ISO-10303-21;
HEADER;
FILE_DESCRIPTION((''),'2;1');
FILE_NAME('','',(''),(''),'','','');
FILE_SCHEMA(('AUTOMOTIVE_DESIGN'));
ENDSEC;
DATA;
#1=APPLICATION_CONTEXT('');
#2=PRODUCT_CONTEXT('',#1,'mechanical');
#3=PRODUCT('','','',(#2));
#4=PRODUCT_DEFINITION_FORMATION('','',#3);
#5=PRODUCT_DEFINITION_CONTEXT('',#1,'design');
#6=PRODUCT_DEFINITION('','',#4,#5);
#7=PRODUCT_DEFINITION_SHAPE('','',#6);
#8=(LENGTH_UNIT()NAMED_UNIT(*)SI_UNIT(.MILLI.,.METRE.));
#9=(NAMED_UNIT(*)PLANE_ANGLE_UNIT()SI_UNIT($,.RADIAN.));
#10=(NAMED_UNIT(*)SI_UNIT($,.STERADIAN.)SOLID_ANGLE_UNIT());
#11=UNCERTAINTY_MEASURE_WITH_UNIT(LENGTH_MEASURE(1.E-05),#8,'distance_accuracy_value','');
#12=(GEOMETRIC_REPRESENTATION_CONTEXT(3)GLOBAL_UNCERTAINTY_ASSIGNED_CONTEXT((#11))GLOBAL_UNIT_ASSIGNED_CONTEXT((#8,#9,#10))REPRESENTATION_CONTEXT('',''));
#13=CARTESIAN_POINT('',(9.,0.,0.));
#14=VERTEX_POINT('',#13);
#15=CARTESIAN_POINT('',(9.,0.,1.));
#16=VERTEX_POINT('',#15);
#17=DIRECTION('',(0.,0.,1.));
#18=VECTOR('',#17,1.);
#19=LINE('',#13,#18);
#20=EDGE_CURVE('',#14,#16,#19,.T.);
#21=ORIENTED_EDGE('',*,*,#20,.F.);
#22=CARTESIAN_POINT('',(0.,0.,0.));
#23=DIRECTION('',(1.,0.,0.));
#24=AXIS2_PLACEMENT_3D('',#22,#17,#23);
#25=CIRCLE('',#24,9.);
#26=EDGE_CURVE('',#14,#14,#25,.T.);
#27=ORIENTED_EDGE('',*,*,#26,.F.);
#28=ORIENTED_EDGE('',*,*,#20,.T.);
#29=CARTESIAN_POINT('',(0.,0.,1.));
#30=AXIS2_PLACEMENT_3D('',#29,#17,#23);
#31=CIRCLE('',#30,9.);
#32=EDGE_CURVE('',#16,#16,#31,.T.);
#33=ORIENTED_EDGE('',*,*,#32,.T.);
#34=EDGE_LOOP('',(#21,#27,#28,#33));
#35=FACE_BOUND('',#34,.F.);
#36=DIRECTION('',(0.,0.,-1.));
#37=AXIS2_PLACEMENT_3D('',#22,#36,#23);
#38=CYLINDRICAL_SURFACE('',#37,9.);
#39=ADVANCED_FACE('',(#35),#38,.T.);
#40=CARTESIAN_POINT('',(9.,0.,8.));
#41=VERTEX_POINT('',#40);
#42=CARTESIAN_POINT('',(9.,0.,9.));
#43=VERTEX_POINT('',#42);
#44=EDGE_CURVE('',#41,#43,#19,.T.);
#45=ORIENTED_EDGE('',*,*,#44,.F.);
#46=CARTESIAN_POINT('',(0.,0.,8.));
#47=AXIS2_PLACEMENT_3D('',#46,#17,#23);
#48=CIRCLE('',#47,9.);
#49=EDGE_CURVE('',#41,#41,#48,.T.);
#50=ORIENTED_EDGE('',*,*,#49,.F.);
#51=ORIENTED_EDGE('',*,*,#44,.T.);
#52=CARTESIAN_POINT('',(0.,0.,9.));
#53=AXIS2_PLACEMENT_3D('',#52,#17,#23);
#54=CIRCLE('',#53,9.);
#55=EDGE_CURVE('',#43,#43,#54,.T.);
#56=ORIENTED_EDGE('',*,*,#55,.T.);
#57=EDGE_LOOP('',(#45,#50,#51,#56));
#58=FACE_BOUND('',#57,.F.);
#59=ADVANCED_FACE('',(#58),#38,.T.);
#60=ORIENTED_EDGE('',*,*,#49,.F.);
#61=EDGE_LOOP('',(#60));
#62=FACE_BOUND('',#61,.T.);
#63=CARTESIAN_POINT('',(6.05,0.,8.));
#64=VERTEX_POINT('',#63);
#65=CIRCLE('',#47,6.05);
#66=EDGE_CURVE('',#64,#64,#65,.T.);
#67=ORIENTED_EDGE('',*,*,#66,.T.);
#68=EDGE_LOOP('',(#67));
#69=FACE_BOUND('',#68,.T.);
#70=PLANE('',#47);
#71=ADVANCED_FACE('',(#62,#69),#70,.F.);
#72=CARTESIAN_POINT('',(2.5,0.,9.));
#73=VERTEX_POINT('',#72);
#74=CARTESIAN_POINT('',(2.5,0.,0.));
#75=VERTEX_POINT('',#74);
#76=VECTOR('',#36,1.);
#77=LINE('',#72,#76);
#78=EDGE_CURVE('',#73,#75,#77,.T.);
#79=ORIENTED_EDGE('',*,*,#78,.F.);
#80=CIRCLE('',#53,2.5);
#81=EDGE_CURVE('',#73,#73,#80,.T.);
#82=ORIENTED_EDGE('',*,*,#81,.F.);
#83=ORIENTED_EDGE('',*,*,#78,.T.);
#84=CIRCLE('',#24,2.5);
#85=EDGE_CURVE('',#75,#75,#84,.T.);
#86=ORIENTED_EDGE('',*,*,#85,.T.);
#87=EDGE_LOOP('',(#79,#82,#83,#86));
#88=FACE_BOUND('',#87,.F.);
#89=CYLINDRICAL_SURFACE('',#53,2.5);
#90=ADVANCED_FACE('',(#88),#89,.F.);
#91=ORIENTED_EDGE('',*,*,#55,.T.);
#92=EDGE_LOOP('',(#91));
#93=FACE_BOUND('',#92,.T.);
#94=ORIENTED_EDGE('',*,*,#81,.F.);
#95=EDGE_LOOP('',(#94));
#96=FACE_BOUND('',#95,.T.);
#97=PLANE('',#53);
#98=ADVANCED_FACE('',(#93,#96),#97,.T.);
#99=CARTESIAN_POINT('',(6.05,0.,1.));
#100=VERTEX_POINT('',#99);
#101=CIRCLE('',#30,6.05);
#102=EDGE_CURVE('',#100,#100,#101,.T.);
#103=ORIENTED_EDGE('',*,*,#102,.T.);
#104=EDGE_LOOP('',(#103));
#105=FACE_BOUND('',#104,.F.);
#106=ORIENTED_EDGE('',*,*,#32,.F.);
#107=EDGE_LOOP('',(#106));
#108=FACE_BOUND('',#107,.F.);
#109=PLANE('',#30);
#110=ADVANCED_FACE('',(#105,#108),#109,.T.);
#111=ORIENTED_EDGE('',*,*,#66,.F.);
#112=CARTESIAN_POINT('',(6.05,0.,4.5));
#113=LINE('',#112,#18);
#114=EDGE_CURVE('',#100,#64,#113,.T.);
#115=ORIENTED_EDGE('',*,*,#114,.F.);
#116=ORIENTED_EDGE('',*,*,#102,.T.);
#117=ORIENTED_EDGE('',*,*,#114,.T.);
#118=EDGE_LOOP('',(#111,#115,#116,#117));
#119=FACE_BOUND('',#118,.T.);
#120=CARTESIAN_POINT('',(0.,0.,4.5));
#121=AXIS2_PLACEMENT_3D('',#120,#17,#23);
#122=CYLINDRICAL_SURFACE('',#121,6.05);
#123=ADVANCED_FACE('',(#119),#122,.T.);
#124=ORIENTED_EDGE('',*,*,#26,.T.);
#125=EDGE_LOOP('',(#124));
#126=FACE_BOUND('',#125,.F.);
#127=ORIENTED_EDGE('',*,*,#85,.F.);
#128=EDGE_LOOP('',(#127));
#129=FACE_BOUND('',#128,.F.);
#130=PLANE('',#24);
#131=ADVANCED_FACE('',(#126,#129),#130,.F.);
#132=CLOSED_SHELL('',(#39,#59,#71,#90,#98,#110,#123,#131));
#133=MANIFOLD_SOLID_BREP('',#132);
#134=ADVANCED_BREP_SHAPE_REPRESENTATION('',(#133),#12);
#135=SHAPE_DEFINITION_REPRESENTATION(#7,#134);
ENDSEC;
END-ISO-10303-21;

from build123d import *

# Parameters (mm, degrees)
SKETCH_R     = 9
PAD_DEPTH    = 9
SKETCH001_W  = 2.95
SKETCH001_H  = 7
SKETCH002_R  = 2.5
POCKET_DEPTH = 9.001


with BuildPart() as part:
    # Sketch → Pad (new body)
    with BuildSketch(Plane.XY):
        Circle(SKETCH_R)
    extrude(amount=PAD_DEPTH)

    # Sketch001 → Groove (revolve, cut)
    with BuildSketch(Plane.XZ):
        with Locations((7.525, 4.5)):
            Rectangle(SKETCH001_W, SKETCH001_H)
    revolve(axis=Axis((0, 0, 0), (0, 0, 1)), mode=Mode.SUBTRACT)

    # Sketch002 (on Face7 of Groove) → Pocket (cut, through all)
    with BuildSketch(Plane.XY.offset(9)):
        Circle(SKETCH002_R)
    extrude(amount=-POCKET_DEPTH, mode=Mode.SUBTRACT)


solid = part.part
